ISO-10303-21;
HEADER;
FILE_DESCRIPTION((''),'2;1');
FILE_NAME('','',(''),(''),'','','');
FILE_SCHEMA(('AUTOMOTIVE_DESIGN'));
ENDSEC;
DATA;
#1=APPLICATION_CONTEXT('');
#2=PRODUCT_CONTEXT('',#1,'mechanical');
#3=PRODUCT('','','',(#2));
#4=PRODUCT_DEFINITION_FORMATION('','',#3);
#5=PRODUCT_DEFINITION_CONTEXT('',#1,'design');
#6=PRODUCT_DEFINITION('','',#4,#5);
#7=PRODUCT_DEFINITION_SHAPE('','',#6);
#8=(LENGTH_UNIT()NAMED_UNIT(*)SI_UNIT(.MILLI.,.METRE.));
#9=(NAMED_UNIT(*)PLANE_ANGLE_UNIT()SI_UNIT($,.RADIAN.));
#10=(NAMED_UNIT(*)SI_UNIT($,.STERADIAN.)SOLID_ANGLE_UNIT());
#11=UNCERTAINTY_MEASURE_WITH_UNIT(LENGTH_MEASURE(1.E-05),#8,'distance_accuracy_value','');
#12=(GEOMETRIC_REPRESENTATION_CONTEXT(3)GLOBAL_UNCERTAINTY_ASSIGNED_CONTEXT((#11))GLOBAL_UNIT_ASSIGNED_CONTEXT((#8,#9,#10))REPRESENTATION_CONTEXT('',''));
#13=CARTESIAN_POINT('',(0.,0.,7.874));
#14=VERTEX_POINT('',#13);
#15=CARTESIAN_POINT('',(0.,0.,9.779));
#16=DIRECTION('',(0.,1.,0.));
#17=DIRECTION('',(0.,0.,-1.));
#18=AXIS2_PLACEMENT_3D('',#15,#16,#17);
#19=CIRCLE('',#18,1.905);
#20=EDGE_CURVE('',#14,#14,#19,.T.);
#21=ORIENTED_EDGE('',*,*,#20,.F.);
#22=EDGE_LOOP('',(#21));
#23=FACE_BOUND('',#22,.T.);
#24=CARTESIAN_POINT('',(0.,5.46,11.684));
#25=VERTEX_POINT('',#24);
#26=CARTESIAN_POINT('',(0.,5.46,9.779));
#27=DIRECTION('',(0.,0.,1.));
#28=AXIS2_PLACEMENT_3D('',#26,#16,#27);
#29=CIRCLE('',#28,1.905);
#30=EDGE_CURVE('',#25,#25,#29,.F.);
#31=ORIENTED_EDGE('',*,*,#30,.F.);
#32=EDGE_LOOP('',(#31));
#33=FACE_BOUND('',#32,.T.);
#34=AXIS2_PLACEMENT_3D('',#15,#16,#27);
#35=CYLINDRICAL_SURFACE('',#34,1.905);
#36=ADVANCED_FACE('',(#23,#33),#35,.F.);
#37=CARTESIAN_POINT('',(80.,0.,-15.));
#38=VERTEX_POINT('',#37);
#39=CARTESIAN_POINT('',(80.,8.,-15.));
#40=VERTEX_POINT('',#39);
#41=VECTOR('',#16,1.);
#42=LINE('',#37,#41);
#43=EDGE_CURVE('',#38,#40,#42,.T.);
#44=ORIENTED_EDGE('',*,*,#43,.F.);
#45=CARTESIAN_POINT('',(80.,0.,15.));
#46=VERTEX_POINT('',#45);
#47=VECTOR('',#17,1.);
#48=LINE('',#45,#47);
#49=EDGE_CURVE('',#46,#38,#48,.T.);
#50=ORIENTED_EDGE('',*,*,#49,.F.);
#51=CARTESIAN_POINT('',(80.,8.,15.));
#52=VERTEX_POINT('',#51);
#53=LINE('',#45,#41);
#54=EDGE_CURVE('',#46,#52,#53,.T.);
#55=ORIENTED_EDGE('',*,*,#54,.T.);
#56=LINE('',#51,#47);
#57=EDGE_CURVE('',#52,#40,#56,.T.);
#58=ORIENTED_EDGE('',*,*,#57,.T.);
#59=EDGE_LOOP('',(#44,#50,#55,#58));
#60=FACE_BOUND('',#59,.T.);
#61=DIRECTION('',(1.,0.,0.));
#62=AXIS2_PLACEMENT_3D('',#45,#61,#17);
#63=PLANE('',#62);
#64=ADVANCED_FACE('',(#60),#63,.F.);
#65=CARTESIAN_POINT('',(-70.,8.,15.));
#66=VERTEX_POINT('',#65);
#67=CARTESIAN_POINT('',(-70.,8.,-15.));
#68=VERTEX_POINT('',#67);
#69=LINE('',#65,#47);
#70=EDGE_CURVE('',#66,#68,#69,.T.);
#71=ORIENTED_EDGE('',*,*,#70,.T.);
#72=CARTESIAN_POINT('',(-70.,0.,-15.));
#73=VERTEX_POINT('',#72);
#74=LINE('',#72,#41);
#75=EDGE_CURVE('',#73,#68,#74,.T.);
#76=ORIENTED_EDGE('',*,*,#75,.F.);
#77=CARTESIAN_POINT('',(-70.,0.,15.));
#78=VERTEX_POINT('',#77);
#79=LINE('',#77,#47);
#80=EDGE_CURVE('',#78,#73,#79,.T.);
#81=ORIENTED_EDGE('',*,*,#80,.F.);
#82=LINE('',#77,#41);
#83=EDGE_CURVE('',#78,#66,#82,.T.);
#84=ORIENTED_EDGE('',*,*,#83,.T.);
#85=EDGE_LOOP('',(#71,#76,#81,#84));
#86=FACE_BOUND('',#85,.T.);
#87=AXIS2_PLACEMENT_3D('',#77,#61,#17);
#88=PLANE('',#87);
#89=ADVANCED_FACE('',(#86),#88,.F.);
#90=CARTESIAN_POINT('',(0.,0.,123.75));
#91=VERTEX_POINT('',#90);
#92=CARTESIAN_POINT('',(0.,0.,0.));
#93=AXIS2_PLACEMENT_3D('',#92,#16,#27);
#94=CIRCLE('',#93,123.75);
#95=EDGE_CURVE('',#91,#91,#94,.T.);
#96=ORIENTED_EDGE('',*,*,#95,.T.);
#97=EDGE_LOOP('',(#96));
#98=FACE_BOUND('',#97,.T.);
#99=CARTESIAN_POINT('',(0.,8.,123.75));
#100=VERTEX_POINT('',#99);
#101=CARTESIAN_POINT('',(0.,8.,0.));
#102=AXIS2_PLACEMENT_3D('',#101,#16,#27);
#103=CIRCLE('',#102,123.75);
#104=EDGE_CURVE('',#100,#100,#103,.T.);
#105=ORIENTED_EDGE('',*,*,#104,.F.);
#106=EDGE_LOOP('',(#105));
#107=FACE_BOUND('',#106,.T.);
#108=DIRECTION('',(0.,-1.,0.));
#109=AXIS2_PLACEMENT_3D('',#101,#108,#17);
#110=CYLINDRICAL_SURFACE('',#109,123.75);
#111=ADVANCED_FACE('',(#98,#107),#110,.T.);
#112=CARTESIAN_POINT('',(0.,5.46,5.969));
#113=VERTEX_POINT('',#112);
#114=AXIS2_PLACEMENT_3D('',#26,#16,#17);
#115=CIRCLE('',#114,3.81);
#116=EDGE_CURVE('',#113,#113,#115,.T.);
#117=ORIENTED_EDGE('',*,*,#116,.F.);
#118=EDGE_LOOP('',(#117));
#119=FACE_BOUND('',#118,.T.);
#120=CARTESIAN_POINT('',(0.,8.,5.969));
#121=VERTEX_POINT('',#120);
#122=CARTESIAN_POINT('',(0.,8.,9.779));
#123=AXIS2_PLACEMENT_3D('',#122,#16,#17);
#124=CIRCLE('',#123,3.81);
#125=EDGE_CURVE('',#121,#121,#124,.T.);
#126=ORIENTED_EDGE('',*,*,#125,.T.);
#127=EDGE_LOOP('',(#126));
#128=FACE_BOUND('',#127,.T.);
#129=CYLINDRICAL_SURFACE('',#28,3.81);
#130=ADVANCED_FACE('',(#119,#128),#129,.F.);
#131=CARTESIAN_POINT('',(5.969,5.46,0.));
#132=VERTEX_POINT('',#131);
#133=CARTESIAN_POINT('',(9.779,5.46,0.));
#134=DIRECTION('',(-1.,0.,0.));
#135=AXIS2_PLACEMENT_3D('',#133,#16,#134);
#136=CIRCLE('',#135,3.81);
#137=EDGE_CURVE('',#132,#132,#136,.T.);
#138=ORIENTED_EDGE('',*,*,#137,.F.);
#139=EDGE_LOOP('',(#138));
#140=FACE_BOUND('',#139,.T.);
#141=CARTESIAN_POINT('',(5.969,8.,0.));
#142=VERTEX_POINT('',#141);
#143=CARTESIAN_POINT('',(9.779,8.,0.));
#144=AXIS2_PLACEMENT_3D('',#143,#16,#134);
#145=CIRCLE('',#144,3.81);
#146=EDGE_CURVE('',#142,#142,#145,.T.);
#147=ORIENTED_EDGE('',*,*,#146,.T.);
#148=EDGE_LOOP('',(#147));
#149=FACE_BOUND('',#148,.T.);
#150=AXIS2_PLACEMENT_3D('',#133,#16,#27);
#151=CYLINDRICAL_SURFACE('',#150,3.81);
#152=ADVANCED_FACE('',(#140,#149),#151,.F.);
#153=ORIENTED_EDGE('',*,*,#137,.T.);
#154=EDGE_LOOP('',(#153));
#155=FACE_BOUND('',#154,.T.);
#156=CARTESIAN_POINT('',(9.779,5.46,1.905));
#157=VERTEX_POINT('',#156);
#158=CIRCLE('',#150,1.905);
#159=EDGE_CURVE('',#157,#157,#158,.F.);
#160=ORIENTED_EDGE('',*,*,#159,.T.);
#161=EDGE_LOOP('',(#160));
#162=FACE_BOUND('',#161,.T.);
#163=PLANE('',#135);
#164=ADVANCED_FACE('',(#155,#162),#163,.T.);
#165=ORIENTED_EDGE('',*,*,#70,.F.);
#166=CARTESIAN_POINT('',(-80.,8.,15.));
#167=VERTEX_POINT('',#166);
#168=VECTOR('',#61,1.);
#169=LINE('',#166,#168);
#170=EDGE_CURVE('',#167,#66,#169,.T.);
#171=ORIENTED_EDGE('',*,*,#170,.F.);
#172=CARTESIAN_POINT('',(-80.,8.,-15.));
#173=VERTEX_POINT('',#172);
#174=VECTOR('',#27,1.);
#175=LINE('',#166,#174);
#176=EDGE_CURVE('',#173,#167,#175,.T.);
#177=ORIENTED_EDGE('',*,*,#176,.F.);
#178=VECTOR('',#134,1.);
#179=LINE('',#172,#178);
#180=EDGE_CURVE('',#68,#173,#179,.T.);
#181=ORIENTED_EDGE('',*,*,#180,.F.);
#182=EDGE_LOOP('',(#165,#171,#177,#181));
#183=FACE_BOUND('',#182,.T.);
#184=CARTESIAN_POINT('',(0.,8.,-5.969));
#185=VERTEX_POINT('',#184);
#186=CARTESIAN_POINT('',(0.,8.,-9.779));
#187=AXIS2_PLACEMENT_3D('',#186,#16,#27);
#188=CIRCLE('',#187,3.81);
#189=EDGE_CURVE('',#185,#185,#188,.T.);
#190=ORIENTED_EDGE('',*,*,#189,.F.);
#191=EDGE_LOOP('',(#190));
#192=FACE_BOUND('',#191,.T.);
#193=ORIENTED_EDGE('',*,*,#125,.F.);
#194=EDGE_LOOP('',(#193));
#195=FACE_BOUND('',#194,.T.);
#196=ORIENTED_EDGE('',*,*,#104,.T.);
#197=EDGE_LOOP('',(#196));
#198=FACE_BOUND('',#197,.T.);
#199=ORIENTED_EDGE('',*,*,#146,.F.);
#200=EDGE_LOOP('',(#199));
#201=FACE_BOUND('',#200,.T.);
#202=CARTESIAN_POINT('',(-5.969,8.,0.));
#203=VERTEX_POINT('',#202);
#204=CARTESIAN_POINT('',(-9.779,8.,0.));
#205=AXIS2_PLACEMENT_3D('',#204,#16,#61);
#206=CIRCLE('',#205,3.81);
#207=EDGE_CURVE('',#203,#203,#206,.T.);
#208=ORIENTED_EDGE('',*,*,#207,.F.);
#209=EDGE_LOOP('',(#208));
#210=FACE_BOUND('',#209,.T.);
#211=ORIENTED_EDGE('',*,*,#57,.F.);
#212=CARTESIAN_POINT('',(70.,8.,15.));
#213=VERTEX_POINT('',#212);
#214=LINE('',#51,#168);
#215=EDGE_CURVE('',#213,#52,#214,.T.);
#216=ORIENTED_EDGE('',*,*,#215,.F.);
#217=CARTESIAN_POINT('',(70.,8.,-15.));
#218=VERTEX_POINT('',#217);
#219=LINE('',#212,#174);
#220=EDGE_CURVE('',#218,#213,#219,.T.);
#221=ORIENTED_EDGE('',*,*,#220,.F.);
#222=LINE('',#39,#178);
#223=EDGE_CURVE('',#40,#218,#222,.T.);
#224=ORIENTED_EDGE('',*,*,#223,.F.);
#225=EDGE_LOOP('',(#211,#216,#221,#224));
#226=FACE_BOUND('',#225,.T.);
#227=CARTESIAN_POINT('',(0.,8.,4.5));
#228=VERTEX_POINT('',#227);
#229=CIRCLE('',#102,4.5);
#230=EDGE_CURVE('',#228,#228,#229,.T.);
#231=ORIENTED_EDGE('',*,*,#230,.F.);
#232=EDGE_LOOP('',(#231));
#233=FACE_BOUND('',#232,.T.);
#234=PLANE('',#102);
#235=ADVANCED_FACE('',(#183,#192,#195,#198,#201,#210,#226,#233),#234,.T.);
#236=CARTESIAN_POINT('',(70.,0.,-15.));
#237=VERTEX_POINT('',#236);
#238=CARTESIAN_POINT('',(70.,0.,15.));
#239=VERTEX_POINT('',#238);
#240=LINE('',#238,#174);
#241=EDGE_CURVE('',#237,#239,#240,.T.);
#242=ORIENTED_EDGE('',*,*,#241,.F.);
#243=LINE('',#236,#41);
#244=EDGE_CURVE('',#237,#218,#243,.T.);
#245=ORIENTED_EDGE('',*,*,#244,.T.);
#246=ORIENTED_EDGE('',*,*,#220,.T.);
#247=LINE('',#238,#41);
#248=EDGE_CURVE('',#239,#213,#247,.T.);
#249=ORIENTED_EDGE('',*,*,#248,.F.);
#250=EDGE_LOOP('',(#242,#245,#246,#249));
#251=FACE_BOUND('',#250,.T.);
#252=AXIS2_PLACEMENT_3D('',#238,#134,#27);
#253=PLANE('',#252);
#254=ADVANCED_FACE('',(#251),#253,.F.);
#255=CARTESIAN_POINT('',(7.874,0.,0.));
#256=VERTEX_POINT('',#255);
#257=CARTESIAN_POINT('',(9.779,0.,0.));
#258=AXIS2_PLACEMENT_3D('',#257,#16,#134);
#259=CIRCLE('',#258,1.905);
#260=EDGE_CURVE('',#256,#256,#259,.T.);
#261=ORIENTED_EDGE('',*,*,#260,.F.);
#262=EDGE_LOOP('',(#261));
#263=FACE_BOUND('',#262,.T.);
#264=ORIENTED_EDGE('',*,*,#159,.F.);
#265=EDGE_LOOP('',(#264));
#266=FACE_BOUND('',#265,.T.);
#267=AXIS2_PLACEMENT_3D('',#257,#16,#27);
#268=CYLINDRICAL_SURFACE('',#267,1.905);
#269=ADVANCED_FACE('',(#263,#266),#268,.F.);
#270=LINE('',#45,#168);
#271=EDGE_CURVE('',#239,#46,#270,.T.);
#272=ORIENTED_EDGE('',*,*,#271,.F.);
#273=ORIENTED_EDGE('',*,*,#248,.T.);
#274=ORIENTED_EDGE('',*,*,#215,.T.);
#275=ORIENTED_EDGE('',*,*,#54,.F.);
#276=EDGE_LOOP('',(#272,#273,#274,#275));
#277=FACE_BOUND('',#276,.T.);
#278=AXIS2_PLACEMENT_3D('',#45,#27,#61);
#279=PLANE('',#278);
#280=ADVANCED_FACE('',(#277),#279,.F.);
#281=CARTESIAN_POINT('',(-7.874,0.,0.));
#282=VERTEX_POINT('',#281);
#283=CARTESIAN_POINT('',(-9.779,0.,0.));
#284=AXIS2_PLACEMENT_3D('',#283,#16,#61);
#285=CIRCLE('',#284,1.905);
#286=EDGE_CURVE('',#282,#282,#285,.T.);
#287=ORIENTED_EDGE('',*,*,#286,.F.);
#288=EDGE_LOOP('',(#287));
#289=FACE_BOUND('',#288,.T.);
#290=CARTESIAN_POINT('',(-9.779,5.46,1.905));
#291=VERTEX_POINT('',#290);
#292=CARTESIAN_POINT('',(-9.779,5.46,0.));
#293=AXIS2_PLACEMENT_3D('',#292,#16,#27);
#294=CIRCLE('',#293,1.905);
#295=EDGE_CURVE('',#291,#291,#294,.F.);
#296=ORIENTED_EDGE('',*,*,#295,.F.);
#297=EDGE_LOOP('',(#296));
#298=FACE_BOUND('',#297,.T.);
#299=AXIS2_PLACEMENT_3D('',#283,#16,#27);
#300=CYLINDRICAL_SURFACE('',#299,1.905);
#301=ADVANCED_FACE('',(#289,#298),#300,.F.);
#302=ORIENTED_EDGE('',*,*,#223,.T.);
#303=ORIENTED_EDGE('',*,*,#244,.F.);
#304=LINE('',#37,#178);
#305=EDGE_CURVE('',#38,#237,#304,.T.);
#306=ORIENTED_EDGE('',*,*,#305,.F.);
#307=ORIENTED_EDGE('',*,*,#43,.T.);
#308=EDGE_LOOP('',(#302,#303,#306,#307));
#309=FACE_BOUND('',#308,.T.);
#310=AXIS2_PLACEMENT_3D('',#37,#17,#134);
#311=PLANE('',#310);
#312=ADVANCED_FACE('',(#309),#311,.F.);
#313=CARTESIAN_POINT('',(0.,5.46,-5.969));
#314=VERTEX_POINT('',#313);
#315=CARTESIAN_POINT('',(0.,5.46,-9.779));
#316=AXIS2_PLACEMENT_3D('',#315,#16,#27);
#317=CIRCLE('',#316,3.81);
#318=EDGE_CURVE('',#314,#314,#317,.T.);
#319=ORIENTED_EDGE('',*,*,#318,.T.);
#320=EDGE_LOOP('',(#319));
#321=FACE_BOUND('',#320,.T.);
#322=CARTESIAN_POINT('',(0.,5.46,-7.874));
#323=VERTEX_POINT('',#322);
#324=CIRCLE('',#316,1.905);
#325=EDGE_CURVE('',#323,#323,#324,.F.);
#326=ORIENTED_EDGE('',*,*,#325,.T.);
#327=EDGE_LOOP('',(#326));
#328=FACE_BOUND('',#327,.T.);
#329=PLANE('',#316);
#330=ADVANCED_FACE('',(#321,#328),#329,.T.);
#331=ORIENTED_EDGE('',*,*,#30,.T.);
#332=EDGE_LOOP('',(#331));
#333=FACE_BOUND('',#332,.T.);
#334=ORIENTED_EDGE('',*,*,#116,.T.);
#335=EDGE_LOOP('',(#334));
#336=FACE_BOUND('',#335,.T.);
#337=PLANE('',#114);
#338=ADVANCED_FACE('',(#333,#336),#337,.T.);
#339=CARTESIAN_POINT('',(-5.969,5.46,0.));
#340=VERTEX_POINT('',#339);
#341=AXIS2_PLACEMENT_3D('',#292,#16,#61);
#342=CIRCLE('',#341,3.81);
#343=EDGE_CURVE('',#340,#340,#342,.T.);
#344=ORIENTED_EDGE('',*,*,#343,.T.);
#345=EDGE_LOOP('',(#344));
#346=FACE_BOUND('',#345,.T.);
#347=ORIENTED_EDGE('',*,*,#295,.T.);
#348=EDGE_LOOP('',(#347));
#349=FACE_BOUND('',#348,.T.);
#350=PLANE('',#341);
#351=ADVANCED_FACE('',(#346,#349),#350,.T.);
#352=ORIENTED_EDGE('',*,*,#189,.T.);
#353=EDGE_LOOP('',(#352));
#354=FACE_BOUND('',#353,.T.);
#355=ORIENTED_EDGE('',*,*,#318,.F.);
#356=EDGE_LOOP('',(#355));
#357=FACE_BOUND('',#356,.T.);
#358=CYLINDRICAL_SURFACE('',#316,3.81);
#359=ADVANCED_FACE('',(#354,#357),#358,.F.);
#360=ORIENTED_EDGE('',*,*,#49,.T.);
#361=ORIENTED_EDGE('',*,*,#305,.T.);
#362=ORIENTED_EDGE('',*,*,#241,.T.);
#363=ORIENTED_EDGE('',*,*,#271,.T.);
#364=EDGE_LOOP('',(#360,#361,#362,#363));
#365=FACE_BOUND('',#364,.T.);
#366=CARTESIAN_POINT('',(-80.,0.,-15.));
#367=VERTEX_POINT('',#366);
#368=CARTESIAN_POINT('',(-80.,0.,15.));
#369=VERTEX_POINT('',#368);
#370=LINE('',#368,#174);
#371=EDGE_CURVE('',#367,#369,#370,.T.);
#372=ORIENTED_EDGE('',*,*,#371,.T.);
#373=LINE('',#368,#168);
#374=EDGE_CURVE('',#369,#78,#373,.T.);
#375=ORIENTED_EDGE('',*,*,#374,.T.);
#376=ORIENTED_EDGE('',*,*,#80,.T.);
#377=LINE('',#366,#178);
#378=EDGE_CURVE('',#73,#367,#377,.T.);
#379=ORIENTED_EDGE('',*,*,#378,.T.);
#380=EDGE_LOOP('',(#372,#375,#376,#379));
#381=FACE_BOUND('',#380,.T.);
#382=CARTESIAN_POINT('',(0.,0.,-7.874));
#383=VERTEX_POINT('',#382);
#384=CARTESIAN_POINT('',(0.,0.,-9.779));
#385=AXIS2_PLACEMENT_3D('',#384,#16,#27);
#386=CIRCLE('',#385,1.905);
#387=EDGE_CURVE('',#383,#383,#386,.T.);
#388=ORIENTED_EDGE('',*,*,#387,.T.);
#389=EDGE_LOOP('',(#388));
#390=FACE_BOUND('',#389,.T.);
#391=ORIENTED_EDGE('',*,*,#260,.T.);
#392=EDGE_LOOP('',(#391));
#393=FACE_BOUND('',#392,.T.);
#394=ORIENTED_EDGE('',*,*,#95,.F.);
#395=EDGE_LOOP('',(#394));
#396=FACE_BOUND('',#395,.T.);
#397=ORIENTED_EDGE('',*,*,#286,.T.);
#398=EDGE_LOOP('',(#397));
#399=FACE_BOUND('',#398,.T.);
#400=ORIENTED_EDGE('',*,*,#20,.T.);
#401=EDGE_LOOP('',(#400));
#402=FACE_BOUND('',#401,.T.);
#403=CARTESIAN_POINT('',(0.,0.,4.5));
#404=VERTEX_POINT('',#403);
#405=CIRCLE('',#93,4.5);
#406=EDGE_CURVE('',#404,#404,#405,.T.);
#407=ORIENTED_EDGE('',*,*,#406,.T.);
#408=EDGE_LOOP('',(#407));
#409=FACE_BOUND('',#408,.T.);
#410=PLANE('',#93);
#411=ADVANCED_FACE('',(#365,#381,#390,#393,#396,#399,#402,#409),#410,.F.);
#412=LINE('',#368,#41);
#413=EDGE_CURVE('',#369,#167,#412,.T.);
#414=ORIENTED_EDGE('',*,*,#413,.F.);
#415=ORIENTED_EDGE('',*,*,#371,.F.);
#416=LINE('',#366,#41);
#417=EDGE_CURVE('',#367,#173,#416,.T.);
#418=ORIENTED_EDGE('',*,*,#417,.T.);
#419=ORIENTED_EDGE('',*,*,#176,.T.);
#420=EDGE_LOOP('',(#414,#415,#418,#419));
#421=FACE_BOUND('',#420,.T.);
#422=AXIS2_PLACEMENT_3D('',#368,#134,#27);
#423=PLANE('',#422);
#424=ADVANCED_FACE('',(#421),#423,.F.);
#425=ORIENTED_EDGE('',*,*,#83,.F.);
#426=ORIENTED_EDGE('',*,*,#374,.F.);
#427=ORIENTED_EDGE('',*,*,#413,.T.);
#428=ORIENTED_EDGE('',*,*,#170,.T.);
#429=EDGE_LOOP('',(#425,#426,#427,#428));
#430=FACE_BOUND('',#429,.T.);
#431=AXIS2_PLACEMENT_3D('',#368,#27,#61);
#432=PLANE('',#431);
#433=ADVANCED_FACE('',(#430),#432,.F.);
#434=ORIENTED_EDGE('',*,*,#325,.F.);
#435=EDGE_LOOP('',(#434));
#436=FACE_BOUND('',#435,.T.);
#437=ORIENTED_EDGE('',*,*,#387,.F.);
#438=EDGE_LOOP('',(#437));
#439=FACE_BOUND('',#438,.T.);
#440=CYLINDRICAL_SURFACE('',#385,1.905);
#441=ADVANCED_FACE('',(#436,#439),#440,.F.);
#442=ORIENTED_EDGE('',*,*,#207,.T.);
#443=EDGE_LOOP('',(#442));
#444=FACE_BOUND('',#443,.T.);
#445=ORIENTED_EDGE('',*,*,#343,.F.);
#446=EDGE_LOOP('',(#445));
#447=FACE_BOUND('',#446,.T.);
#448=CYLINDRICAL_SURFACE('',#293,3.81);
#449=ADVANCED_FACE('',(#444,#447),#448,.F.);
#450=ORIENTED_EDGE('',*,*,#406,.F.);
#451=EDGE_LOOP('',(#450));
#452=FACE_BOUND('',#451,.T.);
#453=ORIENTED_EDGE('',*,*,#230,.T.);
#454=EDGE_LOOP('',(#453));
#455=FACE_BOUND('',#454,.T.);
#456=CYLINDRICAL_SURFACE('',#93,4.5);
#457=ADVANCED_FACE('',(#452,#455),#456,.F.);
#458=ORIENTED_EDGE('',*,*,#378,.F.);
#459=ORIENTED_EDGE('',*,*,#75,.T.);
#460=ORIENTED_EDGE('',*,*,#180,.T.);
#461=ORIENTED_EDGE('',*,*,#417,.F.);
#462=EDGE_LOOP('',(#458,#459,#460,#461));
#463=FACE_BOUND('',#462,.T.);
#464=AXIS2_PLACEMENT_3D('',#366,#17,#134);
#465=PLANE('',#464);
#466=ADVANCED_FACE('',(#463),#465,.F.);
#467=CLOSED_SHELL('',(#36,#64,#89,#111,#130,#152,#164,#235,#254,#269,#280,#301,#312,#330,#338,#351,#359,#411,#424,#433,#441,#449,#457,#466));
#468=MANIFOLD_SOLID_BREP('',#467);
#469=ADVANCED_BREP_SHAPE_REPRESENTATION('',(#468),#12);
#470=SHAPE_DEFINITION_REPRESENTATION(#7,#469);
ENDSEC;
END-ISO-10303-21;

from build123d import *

# Parameters (mm, degrees)
SKETCH1_R           = 123.75
BOSS_EXTRUDE1_DEPTH = 8
SKETCH2_R           = 1.905
CUT_EXTRUDE2_DEPTH  = 9
CIRPATTERN1_COUNT   = 4
SKETCH3_R           = 4.5
CUT_EXTRUDE3_DEPTH  = 9
SKETCH4_R           = 3.81
CUT_EXTRUDE4_DEPTH  = 2.54
CIRPATTERN2_COUNT   = 4
SKETCH5_W           = 10
SKETCH5_H           = 30
CUT_EXTRUDE5_DEPTH  = 9


with BuildPart() as part:
    # Sketch1 → Boss-Extrude1 (new body)
    with BuildSketch(Plane(origin=(0, 0, 0), x_dir=(1, 0, 0), z_dir=(0, 1, 0))):
        Circle(SKETCH1_R)
    extrude(amount=BOSS_EXTRUDE1_DEPTH)

    # Sketch2 → Cut-Extrude2 (cut, through all)
    with BuildSketch(Plane(origin=(0, 8, 0), x_dir=(1, 0, 0), z_dir=(0, 1, 0))):
        with Locations((0, 9.779)):
            Circle(SKETCH2_R)
    cut_extrude2 = extrude(amount=-CUT_EXTRUDE2_DEPTH, mode=Mode.SUBTRACT)

    # CirPattern1: Cut-Extrude2 ×4 about axis
    cirpattern1_axis = Axis((0, 0, 0), (0, 1, 0))
    for i in range(1, CIRPATTERN1_COUNT):
        add(cut_extrude2.rotate(cirpattern1_axis, i * 360 / CIRPATTERN1_COUNT), mode=Mode.SUBTRACT)

    # Sketch3 → Cut-Extrude3 (cut, through all)
    with BuildSketch(Plane(origin=(0, 8, 0), x_dir=(1, 0, 0), z_dir=(0, 1, 0))):
        Circle(SKETCH3_R)
    extrude(amount=-CUT_EXTRUDE3_DEPTH, mode=Mode.SUBTRACT)

    # Sketch4 → Cut-Extrude4 (cut)
    with BuildSketch(Plane(origin=(0, 8, 0), x_dir=(1, 0, 0), z_dir=(0, 1, 0))):
        with Locations((0, 9.779)):
            Circle(SKETCH4_R)
    cut_extrude4 = extrude(amount=-CUT_EXTRUDE4_DEPTH, mode=Mode.SUBTRACT)

    # CirPattern2: Cut-Extrude4 ×4 about axis
    cirpattern2_axis = Axis((0, 0, 0), (0, 1, 0))
    for i in range(1, CIRPATTERN2_COUNT):
        add(cut_extrude4.rotate(cirpattern2_axis, i * 360 / CIRPATTERN2_COUNT), mode=Mode.SUBTRACT)

    # Sketch5 → Cut-Extrude5 (cut, through all)
    with BuildSketch(Plane(origin=(0, 8, 0), x_dir=(1, 0, 0), z_dir=(0, 1, 0))):
        with Locations((75, 0)):
            Rectangle(SKETCH5_W, SKETCH5_H)
        with Locations((-75, 0)):
            Rectangle(SKETCH5_W, SKETCH5_H)
    extrude(amount=-CUT_EXTRUDE5_DEPTH, mode=Mode.SUBTRACT)


solid = part.part
